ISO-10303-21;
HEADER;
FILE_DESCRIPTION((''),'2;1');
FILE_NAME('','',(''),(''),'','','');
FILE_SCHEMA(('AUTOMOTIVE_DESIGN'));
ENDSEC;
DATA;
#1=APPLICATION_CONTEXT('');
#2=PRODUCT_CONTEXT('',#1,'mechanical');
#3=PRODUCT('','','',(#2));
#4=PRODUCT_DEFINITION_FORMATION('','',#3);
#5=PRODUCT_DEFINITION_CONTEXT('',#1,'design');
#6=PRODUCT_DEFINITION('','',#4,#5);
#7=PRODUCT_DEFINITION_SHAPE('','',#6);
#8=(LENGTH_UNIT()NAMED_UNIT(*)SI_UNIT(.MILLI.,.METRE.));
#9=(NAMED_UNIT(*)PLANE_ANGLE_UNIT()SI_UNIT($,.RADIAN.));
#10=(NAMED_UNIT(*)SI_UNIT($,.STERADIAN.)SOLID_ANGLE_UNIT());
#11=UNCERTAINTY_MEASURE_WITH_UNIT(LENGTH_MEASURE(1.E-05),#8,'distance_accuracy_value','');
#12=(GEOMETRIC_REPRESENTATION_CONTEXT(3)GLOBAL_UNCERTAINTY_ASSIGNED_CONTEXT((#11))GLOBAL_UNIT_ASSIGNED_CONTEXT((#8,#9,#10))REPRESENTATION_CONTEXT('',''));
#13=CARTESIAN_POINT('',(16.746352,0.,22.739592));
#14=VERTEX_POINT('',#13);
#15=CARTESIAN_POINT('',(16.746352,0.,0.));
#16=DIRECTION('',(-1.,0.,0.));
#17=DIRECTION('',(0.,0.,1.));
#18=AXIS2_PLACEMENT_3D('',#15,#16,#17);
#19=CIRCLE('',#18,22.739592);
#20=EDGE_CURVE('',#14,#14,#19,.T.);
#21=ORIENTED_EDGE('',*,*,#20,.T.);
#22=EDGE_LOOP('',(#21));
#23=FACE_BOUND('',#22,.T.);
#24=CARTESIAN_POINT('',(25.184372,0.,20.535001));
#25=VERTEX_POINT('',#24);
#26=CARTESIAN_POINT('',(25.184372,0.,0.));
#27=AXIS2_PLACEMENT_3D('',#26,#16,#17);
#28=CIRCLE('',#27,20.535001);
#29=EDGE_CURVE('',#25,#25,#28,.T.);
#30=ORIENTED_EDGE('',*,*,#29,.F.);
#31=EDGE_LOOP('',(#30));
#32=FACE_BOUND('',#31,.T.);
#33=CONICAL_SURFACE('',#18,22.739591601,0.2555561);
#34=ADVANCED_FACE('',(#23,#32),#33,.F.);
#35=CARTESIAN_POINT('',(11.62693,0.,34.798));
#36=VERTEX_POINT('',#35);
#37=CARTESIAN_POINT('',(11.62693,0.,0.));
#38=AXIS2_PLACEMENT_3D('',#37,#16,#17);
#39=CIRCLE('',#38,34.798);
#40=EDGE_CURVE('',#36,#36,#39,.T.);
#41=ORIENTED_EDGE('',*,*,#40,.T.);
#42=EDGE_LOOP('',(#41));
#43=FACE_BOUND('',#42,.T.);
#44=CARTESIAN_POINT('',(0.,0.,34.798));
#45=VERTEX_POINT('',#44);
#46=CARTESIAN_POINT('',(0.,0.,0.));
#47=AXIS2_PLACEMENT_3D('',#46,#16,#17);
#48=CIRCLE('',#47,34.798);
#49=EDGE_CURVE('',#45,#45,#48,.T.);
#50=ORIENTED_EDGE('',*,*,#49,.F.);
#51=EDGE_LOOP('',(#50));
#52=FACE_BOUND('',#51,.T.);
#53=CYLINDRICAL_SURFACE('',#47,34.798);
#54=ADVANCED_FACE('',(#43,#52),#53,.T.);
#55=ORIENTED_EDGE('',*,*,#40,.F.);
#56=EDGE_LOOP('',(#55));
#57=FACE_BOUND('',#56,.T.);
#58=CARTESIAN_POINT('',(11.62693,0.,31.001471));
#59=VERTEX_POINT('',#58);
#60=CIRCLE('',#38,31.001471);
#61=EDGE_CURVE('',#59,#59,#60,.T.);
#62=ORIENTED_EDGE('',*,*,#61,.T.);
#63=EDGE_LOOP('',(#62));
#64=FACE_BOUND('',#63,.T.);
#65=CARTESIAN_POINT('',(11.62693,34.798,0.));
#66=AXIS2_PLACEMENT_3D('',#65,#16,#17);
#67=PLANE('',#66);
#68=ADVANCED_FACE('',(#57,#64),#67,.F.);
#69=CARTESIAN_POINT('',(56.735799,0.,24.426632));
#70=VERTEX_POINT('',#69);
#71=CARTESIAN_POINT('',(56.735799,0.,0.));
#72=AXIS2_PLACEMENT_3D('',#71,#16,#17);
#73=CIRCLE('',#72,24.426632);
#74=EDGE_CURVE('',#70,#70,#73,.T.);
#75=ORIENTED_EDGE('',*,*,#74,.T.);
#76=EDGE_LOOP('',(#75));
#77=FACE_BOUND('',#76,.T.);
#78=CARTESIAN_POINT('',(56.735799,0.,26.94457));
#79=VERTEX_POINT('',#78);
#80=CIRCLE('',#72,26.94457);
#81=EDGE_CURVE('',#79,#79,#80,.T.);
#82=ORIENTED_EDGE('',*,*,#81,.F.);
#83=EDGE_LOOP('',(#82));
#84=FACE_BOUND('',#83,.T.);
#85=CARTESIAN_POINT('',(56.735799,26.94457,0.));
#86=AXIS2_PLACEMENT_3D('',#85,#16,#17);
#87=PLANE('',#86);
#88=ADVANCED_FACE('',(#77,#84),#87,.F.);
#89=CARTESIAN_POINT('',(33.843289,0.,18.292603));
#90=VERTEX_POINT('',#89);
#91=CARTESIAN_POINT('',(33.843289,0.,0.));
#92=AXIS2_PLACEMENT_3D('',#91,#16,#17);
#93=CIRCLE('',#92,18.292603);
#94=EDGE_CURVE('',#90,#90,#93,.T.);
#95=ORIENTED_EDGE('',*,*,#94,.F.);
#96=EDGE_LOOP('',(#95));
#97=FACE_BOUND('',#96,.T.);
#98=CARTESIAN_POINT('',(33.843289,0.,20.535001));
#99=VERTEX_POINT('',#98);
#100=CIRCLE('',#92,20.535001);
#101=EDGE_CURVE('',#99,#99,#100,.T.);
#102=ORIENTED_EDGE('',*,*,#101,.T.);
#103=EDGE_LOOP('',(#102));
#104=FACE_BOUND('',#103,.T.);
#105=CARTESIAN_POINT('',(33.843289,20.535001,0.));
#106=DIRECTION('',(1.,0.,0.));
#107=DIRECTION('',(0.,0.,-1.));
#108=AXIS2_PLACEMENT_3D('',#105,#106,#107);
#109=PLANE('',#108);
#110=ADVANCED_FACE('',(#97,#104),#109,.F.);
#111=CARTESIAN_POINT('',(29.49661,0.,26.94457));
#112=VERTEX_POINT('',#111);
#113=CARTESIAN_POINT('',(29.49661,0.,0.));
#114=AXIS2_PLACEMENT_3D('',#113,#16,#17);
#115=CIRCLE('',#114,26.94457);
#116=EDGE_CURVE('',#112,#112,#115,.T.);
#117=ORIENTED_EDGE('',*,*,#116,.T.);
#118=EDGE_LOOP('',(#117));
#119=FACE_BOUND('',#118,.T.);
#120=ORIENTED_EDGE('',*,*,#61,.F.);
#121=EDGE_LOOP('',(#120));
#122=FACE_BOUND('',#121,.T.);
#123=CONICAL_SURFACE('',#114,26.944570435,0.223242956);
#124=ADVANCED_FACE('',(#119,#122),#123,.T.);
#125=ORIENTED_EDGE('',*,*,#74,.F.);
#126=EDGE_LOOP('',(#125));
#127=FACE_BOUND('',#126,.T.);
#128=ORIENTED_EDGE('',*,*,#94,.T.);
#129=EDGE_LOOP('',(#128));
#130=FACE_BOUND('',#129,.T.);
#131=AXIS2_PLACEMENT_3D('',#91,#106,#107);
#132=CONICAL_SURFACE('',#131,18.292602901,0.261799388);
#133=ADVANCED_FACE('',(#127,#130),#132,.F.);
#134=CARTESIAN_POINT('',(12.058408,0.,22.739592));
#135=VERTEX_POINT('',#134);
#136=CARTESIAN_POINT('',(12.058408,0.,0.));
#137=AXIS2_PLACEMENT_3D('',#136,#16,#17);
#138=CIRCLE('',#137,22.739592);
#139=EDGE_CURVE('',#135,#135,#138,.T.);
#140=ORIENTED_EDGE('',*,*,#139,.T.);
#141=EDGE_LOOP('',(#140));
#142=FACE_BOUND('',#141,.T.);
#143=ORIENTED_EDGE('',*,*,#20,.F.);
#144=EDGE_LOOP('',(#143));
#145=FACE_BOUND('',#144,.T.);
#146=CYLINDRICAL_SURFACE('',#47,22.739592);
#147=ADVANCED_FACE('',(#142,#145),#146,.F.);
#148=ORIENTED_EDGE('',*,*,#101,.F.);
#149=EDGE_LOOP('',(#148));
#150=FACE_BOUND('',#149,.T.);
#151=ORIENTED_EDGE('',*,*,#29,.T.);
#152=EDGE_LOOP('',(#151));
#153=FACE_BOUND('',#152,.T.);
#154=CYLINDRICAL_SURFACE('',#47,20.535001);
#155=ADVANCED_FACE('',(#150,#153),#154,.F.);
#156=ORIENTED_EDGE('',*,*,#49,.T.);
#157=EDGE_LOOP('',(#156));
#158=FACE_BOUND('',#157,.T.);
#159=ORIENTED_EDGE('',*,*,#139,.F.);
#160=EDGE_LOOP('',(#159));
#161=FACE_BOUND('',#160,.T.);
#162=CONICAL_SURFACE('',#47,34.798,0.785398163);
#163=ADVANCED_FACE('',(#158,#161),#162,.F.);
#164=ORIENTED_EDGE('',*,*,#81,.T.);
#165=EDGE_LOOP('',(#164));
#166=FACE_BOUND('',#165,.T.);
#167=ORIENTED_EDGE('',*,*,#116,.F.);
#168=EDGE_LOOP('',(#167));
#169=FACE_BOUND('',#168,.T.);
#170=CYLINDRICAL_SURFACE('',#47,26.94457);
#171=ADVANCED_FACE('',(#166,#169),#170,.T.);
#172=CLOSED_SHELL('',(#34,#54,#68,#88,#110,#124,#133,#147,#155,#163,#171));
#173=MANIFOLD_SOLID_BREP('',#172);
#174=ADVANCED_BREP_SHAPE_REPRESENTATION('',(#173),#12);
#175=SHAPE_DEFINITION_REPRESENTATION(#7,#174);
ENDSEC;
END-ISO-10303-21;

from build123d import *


with BuildPart() as part:
    # Sketch1 → Revolve1 (revolve)
    with BuildSketch(Plane.XY, mode=Mode.PRIVATE) as revolve1_sk:
        Polygon((0, 34.798), (12.058408399, 22.739591601), (16.74635158, 22.739591601), (25.18437156, 20.53500071), (33.843289446, 20.53500071), (33.843289446, 18.292602901), (56.73579947, 24.426632475), (56.73579947, 26.944570435), (29.496610327, 26.944570435), (11.626929507, 31.001470945), (11.626929507, 34.798), align=None)
    revolve(revolve1_sk.sketch.rotate(Axis((0, 0, 0), (1, 0, 0)), 90), axis=Axis((0, 0, 0), (1, 0, 0)))


solid = part.part
